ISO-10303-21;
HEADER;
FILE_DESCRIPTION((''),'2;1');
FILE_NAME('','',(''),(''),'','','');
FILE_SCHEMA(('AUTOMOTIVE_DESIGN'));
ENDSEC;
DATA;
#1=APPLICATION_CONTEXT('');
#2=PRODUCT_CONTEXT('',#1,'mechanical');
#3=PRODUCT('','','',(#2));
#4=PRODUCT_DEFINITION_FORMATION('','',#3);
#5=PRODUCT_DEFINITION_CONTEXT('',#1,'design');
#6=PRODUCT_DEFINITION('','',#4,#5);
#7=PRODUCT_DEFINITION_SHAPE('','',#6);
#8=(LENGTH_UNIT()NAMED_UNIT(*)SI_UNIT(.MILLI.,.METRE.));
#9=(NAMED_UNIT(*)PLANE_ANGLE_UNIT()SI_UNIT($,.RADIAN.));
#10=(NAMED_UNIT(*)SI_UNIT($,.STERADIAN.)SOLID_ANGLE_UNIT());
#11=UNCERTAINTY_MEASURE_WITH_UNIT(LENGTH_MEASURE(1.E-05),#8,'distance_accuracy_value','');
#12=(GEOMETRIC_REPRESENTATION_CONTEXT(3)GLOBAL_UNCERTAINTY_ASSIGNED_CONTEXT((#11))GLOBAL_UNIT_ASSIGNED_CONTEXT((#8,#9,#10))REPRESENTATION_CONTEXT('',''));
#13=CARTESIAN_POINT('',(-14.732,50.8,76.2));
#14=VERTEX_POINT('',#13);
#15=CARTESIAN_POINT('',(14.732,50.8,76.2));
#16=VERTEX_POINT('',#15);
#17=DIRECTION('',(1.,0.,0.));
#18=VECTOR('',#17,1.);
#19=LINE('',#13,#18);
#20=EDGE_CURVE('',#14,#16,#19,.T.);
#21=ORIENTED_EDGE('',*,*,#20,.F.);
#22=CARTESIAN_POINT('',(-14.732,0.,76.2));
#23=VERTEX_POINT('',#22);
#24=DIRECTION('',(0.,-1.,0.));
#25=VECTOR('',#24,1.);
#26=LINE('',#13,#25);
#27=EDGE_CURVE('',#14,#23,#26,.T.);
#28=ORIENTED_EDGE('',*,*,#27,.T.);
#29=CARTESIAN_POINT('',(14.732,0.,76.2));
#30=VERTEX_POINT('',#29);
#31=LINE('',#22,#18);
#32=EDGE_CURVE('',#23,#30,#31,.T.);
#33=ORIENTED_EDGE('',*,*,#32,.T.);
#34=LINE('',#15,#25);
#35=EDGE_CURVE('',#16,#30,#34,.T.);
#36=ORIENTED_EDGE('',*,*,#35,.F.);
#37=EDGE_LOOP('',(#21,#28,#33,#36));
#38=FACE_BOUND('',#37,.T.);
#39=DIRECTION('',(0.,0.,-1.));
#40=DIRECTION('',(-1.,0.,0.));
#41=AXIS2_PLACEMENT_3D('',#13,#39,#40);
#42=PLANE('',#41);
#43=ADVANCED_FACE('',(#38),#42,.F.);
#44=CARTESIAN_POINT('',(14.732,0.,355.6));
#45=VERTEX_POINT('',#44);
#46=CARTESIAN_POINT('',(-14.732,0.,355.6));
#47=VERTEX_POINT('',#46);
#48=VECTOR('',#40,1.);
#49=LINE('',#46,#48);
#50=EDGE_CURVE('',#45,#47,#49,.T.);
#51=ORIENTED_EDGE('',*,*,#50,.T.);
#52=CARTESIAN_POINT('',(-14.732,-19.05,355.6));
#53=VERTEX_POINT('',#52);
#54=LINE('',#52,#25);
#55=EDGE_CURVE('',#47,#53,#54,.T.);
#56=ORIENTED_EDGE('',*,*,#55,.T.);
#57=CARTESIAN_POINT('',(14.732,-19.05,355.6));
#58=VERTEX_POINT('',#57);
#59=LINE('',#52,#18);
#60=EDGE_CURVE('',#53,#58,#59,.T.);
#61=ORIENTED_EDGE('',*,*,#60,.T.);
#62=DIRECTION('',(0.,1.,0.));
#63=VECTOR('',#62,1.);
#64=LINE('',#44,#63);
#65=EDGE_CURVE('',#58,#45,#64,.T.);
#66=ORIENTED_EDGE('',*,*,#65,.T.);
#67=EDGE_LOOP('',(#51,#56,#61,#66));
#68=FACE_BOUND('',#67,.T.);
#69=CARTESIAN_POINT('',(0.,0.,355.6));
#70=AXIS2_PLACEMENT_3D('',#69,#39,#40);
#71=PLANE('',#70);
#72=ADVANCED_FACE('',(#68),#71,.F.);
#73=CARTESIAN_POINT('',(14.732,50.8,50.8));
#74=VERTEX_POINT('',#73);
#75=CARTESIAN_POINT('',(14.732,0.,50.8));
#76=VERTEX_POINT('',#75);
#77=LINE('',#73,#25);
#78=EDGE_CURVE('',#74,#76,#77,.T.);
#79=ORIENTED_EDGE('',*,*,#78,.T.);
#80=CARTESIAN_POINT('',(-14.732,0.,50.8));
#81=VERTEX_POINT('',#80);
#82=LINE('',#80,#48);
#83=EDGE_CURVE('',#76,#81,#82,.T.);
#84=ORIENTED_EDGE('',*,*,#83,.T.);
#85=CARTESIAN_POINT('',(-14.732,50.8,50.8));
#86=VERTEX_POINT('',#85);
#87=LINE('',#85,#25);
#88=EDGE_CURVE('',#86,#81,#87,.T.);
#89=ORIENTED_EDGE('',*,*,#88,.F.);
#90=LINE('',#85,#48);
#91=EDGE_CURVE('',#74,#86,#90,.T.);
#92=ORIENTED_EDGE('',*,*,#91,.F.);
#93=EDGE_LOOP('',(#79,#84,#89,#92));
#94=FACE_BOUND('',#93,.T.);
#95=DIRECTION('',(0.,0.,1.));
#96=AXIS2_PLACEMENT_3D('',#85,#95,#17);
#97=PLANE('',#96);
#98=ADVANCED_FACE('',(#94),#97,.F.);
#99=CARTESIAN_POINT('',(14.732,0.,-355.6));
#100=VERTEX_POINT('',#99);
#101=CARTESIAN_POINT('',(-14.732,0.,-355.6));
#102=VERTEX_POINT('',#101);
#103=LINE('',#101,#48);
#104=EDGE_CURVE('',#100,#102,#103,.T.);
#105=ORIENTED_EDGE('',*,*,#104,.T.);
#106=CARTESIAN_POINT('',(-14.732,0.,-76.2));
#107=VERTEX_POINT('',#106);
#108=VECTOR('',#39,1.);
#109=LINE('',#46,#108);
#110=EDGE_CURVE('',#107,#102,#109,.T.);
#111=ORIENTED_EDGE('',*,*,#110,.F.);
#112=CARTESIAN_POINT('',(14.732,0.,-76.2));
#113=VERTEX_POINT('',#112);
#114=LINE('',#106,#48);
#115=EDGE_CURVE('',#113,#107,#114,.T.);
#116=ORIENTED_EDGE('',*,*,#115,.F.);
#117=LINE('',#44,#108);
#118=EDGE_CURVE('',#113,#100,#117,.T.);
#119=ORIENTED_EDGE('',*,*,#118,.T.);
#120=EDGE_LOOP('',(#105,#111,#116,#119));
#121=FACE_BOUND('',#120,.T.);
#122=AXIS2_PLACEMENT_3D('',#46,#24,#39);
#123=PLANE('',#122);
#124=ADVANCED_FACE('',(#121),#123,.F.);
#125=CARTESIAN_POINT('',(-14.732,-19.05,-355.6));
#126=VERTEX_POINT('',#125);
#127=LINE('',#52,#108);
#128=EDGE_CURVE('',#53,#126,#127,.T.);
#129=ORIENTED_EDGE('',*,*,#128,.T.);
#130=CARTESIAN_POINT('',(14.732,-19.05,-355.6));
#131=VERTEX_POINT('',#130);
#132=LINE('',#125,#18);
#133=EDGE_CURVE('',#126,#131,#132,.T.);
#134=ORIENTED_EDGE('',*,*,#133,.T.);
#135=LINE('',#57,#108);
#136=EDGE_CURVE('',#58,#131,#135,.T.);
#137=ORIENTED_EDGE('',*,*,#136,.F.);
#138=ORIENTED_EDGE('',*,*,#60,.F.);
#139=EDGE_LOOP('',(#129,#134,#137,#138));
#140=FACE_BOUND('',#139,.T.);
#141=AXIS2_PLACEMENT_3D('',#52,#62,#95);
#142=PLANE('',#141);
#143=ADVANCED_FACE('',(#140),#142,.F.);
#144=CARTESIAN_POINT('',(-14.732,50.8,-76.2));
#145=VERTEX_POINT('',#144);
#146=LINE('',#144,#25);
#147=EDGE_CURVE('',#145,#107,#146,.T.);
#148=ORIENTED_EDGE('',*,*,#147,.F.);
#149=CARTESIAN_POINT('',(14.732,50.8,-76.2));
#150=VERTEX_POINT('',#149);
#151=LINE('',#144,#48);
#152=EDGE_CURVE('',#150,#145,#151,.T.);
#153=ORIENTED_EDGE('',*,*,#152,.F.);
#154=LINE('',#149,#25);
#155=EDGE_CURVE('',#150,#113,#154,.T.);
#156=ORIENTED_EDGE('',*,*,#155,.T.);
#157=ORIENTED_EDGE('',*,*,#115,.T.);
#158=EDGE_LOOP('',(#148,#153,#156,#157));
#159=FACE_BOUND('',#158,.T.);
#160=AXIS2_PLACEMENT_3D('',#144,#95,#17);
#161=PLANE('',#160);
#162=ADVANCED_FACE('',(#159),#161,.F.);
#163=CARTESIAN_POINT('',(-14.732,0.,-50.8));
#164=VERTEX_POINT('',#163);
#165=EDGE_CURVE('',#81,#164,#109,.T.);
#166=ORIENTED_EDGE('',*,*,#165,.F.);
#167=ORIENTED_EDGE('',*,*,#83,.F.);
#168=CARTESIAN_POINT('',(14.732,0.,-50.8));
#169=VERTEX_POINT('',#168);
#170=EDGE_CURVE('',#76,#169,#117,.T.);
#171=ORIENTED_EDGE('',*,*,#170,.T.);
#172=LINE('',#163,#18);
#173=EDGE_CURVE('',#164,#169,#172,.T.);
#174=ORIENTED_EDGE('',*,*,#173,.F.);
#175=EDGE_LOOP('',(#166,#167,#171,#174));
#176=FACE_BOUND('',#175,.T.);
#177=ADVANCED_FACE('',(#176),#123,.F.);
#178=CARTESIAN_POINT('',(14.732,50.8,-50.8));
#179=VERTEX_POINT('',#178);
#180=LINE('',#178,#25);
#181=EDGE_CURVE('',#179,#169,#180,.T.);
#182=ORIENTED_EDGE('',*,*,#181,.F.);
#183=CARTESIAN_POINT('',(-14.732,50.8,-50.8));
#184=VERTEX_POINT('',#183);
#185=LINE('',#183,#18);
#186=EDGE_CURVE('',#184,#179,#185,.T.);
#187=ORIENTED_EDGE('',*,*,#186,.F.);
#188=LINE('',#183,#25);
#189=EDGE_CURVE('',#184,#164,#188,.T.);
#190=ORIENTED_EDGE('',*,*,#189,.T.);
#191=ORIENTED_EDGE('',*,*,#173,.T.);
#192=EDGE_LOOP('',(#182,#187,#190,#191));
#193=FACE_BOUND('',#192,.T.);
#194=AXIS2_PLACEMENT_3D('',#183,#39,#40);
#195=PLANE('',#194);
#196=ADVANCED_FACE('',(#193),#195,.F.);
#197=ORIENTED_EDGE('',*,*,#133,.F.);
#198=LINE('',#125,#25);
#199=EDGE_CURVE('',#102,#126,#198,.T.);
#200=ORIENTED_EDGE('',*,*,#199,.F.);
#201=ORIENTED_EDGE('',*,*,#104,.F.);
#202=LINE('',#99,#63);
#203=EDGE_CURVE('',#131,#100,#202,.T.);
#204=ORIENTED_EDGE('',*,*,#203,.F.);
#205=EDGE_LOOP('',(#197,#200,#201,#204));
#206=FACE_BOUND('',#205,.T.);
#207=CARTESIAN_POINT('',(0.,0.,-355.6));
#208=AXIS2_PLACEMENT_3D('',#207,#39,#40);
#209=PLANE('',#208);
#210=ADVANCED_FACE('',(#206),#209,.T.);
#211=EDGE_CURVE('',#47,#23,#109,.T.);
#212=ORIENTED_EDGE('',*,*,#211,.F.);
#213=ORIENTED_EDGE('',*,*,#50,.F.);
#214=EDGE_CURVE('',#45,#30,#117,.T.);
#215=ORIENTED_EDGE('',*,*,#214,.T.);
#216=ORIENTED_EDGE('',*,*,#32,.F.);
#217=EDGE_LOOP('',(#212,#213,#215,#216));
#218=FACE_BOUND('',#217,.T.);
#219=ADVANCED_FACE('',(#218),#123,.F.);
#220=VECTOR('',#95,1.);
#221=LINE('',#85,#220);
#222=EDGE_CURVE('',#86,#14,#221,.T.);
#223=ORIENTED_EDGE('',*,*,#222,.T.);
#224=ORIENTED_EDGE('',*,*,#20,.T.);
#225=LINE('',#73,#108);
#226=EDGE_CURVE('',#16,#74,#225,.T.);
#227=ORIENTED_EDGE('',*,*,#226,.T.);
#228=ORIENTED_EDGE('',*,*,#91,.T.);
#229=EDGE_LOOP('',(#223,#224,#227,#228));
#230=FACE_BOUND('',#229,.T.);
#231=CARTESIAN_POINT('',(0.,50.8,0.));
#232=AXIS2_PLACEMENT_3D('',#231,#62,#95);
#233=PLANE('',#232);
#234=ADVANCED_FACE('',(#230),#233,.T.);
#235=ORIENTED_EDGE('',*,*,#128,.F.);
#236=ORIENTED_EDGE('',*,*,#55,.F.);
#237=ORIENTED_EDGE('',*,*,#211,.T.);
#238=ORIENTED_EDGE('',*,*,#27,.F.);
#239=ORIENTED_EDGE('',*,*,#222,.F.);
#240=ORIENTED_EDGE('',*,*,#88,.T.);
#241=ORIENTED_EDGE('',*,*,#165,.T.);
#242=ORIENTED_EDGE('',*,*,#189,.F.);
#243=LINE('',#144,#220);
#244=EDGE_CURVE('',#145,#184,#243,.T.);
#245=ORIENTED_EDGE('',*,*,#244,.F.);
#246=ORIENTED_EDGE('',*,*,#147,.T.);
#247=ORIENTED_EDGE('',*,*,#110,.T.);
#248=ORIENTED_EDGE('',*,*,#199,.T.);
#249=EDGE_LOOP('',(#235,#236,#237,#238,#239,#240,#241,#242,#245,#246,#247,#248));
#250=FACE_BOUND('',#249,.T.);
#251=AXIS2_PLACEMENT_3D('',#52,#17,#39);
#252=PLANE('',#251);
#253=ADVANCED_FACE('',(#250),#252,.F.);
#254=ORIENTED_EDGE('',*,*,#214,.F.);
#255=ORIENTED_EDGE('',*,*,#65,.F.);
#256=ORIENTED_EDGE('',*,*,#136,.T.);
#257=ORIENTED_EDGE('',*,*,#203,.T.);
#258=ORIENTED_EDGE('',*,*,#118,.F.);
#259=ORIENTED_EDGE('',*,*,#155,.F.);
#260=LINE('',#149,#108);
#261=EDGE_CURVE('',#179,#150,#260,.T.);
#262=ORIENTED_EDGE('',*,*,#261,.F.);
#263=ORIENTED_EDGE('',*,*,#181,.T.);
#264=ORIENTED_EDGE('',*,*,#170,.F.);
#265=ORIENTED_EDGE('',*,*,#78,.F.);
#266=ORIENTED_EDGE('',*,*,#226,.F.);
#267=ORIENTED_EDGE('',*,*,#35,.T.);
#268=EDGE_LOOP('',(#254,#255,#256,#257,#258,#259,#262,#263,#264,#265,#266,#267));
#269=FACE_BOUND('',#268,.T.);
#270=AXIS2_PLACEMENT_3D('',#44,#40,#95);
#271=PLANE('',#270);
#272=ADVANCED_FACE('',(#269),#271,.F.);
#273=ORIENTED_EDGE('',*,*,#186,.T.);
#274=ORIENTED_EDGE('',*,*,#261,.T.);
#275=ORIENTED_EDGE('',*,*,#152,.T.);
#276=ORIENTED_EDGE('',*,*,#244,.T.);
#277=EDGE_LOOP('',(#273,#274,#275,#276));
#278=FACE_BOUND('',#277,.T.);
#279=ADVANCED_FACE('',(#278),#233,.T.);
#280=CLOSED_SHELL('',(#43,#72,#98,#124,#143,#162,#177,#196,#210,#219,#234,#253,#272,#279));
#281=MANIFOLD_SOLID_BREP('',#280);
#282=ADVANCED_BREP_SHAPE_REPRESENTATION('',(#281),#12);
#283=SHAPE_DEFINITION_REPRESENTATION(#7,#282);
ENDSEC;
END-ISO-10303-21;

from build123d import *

# Parameters (mm, degrees)
SKETCH1_W           = 29.464
SKETCH1_H           = 19.05
BOSS_EXTRUDE1_DEPTH = 355.6
SKETCH2_W           = 29.464
SKETCH2_H           = 25.4
BOSS_EXTRUDE2_DEPTH = 50.8


with BuildPart() as part:
    # Sketch1 → Boss-Extrude1 (new, symmetric)
    with BuildSketch(Plane.XY):
        with Locations((0, -9.525)):
            Rectangle(SKETCH1_W, SKETCH1_H)
    extrude(amount=BOSS_EXTRUDE1_DEPTH, both=True)

    # Sketch2 → Boss-Extrude2 (add)
    with BuildSketch(Plane(origin=(0, 0, 0), x_dir=(1, 0, 0), z_dir=(0, 1, 0))):
        with Locations((0, 63.5)):
            Rectangle(SKETCH2_W, SKETCH2_H)
        with Locations((0, -63.5)):
            Rectangle(SKETCH2_W, SKETCH2_H)
    extrude(amount=BOSS_EXTRUDE2_DEPTH)


solid = part.part
